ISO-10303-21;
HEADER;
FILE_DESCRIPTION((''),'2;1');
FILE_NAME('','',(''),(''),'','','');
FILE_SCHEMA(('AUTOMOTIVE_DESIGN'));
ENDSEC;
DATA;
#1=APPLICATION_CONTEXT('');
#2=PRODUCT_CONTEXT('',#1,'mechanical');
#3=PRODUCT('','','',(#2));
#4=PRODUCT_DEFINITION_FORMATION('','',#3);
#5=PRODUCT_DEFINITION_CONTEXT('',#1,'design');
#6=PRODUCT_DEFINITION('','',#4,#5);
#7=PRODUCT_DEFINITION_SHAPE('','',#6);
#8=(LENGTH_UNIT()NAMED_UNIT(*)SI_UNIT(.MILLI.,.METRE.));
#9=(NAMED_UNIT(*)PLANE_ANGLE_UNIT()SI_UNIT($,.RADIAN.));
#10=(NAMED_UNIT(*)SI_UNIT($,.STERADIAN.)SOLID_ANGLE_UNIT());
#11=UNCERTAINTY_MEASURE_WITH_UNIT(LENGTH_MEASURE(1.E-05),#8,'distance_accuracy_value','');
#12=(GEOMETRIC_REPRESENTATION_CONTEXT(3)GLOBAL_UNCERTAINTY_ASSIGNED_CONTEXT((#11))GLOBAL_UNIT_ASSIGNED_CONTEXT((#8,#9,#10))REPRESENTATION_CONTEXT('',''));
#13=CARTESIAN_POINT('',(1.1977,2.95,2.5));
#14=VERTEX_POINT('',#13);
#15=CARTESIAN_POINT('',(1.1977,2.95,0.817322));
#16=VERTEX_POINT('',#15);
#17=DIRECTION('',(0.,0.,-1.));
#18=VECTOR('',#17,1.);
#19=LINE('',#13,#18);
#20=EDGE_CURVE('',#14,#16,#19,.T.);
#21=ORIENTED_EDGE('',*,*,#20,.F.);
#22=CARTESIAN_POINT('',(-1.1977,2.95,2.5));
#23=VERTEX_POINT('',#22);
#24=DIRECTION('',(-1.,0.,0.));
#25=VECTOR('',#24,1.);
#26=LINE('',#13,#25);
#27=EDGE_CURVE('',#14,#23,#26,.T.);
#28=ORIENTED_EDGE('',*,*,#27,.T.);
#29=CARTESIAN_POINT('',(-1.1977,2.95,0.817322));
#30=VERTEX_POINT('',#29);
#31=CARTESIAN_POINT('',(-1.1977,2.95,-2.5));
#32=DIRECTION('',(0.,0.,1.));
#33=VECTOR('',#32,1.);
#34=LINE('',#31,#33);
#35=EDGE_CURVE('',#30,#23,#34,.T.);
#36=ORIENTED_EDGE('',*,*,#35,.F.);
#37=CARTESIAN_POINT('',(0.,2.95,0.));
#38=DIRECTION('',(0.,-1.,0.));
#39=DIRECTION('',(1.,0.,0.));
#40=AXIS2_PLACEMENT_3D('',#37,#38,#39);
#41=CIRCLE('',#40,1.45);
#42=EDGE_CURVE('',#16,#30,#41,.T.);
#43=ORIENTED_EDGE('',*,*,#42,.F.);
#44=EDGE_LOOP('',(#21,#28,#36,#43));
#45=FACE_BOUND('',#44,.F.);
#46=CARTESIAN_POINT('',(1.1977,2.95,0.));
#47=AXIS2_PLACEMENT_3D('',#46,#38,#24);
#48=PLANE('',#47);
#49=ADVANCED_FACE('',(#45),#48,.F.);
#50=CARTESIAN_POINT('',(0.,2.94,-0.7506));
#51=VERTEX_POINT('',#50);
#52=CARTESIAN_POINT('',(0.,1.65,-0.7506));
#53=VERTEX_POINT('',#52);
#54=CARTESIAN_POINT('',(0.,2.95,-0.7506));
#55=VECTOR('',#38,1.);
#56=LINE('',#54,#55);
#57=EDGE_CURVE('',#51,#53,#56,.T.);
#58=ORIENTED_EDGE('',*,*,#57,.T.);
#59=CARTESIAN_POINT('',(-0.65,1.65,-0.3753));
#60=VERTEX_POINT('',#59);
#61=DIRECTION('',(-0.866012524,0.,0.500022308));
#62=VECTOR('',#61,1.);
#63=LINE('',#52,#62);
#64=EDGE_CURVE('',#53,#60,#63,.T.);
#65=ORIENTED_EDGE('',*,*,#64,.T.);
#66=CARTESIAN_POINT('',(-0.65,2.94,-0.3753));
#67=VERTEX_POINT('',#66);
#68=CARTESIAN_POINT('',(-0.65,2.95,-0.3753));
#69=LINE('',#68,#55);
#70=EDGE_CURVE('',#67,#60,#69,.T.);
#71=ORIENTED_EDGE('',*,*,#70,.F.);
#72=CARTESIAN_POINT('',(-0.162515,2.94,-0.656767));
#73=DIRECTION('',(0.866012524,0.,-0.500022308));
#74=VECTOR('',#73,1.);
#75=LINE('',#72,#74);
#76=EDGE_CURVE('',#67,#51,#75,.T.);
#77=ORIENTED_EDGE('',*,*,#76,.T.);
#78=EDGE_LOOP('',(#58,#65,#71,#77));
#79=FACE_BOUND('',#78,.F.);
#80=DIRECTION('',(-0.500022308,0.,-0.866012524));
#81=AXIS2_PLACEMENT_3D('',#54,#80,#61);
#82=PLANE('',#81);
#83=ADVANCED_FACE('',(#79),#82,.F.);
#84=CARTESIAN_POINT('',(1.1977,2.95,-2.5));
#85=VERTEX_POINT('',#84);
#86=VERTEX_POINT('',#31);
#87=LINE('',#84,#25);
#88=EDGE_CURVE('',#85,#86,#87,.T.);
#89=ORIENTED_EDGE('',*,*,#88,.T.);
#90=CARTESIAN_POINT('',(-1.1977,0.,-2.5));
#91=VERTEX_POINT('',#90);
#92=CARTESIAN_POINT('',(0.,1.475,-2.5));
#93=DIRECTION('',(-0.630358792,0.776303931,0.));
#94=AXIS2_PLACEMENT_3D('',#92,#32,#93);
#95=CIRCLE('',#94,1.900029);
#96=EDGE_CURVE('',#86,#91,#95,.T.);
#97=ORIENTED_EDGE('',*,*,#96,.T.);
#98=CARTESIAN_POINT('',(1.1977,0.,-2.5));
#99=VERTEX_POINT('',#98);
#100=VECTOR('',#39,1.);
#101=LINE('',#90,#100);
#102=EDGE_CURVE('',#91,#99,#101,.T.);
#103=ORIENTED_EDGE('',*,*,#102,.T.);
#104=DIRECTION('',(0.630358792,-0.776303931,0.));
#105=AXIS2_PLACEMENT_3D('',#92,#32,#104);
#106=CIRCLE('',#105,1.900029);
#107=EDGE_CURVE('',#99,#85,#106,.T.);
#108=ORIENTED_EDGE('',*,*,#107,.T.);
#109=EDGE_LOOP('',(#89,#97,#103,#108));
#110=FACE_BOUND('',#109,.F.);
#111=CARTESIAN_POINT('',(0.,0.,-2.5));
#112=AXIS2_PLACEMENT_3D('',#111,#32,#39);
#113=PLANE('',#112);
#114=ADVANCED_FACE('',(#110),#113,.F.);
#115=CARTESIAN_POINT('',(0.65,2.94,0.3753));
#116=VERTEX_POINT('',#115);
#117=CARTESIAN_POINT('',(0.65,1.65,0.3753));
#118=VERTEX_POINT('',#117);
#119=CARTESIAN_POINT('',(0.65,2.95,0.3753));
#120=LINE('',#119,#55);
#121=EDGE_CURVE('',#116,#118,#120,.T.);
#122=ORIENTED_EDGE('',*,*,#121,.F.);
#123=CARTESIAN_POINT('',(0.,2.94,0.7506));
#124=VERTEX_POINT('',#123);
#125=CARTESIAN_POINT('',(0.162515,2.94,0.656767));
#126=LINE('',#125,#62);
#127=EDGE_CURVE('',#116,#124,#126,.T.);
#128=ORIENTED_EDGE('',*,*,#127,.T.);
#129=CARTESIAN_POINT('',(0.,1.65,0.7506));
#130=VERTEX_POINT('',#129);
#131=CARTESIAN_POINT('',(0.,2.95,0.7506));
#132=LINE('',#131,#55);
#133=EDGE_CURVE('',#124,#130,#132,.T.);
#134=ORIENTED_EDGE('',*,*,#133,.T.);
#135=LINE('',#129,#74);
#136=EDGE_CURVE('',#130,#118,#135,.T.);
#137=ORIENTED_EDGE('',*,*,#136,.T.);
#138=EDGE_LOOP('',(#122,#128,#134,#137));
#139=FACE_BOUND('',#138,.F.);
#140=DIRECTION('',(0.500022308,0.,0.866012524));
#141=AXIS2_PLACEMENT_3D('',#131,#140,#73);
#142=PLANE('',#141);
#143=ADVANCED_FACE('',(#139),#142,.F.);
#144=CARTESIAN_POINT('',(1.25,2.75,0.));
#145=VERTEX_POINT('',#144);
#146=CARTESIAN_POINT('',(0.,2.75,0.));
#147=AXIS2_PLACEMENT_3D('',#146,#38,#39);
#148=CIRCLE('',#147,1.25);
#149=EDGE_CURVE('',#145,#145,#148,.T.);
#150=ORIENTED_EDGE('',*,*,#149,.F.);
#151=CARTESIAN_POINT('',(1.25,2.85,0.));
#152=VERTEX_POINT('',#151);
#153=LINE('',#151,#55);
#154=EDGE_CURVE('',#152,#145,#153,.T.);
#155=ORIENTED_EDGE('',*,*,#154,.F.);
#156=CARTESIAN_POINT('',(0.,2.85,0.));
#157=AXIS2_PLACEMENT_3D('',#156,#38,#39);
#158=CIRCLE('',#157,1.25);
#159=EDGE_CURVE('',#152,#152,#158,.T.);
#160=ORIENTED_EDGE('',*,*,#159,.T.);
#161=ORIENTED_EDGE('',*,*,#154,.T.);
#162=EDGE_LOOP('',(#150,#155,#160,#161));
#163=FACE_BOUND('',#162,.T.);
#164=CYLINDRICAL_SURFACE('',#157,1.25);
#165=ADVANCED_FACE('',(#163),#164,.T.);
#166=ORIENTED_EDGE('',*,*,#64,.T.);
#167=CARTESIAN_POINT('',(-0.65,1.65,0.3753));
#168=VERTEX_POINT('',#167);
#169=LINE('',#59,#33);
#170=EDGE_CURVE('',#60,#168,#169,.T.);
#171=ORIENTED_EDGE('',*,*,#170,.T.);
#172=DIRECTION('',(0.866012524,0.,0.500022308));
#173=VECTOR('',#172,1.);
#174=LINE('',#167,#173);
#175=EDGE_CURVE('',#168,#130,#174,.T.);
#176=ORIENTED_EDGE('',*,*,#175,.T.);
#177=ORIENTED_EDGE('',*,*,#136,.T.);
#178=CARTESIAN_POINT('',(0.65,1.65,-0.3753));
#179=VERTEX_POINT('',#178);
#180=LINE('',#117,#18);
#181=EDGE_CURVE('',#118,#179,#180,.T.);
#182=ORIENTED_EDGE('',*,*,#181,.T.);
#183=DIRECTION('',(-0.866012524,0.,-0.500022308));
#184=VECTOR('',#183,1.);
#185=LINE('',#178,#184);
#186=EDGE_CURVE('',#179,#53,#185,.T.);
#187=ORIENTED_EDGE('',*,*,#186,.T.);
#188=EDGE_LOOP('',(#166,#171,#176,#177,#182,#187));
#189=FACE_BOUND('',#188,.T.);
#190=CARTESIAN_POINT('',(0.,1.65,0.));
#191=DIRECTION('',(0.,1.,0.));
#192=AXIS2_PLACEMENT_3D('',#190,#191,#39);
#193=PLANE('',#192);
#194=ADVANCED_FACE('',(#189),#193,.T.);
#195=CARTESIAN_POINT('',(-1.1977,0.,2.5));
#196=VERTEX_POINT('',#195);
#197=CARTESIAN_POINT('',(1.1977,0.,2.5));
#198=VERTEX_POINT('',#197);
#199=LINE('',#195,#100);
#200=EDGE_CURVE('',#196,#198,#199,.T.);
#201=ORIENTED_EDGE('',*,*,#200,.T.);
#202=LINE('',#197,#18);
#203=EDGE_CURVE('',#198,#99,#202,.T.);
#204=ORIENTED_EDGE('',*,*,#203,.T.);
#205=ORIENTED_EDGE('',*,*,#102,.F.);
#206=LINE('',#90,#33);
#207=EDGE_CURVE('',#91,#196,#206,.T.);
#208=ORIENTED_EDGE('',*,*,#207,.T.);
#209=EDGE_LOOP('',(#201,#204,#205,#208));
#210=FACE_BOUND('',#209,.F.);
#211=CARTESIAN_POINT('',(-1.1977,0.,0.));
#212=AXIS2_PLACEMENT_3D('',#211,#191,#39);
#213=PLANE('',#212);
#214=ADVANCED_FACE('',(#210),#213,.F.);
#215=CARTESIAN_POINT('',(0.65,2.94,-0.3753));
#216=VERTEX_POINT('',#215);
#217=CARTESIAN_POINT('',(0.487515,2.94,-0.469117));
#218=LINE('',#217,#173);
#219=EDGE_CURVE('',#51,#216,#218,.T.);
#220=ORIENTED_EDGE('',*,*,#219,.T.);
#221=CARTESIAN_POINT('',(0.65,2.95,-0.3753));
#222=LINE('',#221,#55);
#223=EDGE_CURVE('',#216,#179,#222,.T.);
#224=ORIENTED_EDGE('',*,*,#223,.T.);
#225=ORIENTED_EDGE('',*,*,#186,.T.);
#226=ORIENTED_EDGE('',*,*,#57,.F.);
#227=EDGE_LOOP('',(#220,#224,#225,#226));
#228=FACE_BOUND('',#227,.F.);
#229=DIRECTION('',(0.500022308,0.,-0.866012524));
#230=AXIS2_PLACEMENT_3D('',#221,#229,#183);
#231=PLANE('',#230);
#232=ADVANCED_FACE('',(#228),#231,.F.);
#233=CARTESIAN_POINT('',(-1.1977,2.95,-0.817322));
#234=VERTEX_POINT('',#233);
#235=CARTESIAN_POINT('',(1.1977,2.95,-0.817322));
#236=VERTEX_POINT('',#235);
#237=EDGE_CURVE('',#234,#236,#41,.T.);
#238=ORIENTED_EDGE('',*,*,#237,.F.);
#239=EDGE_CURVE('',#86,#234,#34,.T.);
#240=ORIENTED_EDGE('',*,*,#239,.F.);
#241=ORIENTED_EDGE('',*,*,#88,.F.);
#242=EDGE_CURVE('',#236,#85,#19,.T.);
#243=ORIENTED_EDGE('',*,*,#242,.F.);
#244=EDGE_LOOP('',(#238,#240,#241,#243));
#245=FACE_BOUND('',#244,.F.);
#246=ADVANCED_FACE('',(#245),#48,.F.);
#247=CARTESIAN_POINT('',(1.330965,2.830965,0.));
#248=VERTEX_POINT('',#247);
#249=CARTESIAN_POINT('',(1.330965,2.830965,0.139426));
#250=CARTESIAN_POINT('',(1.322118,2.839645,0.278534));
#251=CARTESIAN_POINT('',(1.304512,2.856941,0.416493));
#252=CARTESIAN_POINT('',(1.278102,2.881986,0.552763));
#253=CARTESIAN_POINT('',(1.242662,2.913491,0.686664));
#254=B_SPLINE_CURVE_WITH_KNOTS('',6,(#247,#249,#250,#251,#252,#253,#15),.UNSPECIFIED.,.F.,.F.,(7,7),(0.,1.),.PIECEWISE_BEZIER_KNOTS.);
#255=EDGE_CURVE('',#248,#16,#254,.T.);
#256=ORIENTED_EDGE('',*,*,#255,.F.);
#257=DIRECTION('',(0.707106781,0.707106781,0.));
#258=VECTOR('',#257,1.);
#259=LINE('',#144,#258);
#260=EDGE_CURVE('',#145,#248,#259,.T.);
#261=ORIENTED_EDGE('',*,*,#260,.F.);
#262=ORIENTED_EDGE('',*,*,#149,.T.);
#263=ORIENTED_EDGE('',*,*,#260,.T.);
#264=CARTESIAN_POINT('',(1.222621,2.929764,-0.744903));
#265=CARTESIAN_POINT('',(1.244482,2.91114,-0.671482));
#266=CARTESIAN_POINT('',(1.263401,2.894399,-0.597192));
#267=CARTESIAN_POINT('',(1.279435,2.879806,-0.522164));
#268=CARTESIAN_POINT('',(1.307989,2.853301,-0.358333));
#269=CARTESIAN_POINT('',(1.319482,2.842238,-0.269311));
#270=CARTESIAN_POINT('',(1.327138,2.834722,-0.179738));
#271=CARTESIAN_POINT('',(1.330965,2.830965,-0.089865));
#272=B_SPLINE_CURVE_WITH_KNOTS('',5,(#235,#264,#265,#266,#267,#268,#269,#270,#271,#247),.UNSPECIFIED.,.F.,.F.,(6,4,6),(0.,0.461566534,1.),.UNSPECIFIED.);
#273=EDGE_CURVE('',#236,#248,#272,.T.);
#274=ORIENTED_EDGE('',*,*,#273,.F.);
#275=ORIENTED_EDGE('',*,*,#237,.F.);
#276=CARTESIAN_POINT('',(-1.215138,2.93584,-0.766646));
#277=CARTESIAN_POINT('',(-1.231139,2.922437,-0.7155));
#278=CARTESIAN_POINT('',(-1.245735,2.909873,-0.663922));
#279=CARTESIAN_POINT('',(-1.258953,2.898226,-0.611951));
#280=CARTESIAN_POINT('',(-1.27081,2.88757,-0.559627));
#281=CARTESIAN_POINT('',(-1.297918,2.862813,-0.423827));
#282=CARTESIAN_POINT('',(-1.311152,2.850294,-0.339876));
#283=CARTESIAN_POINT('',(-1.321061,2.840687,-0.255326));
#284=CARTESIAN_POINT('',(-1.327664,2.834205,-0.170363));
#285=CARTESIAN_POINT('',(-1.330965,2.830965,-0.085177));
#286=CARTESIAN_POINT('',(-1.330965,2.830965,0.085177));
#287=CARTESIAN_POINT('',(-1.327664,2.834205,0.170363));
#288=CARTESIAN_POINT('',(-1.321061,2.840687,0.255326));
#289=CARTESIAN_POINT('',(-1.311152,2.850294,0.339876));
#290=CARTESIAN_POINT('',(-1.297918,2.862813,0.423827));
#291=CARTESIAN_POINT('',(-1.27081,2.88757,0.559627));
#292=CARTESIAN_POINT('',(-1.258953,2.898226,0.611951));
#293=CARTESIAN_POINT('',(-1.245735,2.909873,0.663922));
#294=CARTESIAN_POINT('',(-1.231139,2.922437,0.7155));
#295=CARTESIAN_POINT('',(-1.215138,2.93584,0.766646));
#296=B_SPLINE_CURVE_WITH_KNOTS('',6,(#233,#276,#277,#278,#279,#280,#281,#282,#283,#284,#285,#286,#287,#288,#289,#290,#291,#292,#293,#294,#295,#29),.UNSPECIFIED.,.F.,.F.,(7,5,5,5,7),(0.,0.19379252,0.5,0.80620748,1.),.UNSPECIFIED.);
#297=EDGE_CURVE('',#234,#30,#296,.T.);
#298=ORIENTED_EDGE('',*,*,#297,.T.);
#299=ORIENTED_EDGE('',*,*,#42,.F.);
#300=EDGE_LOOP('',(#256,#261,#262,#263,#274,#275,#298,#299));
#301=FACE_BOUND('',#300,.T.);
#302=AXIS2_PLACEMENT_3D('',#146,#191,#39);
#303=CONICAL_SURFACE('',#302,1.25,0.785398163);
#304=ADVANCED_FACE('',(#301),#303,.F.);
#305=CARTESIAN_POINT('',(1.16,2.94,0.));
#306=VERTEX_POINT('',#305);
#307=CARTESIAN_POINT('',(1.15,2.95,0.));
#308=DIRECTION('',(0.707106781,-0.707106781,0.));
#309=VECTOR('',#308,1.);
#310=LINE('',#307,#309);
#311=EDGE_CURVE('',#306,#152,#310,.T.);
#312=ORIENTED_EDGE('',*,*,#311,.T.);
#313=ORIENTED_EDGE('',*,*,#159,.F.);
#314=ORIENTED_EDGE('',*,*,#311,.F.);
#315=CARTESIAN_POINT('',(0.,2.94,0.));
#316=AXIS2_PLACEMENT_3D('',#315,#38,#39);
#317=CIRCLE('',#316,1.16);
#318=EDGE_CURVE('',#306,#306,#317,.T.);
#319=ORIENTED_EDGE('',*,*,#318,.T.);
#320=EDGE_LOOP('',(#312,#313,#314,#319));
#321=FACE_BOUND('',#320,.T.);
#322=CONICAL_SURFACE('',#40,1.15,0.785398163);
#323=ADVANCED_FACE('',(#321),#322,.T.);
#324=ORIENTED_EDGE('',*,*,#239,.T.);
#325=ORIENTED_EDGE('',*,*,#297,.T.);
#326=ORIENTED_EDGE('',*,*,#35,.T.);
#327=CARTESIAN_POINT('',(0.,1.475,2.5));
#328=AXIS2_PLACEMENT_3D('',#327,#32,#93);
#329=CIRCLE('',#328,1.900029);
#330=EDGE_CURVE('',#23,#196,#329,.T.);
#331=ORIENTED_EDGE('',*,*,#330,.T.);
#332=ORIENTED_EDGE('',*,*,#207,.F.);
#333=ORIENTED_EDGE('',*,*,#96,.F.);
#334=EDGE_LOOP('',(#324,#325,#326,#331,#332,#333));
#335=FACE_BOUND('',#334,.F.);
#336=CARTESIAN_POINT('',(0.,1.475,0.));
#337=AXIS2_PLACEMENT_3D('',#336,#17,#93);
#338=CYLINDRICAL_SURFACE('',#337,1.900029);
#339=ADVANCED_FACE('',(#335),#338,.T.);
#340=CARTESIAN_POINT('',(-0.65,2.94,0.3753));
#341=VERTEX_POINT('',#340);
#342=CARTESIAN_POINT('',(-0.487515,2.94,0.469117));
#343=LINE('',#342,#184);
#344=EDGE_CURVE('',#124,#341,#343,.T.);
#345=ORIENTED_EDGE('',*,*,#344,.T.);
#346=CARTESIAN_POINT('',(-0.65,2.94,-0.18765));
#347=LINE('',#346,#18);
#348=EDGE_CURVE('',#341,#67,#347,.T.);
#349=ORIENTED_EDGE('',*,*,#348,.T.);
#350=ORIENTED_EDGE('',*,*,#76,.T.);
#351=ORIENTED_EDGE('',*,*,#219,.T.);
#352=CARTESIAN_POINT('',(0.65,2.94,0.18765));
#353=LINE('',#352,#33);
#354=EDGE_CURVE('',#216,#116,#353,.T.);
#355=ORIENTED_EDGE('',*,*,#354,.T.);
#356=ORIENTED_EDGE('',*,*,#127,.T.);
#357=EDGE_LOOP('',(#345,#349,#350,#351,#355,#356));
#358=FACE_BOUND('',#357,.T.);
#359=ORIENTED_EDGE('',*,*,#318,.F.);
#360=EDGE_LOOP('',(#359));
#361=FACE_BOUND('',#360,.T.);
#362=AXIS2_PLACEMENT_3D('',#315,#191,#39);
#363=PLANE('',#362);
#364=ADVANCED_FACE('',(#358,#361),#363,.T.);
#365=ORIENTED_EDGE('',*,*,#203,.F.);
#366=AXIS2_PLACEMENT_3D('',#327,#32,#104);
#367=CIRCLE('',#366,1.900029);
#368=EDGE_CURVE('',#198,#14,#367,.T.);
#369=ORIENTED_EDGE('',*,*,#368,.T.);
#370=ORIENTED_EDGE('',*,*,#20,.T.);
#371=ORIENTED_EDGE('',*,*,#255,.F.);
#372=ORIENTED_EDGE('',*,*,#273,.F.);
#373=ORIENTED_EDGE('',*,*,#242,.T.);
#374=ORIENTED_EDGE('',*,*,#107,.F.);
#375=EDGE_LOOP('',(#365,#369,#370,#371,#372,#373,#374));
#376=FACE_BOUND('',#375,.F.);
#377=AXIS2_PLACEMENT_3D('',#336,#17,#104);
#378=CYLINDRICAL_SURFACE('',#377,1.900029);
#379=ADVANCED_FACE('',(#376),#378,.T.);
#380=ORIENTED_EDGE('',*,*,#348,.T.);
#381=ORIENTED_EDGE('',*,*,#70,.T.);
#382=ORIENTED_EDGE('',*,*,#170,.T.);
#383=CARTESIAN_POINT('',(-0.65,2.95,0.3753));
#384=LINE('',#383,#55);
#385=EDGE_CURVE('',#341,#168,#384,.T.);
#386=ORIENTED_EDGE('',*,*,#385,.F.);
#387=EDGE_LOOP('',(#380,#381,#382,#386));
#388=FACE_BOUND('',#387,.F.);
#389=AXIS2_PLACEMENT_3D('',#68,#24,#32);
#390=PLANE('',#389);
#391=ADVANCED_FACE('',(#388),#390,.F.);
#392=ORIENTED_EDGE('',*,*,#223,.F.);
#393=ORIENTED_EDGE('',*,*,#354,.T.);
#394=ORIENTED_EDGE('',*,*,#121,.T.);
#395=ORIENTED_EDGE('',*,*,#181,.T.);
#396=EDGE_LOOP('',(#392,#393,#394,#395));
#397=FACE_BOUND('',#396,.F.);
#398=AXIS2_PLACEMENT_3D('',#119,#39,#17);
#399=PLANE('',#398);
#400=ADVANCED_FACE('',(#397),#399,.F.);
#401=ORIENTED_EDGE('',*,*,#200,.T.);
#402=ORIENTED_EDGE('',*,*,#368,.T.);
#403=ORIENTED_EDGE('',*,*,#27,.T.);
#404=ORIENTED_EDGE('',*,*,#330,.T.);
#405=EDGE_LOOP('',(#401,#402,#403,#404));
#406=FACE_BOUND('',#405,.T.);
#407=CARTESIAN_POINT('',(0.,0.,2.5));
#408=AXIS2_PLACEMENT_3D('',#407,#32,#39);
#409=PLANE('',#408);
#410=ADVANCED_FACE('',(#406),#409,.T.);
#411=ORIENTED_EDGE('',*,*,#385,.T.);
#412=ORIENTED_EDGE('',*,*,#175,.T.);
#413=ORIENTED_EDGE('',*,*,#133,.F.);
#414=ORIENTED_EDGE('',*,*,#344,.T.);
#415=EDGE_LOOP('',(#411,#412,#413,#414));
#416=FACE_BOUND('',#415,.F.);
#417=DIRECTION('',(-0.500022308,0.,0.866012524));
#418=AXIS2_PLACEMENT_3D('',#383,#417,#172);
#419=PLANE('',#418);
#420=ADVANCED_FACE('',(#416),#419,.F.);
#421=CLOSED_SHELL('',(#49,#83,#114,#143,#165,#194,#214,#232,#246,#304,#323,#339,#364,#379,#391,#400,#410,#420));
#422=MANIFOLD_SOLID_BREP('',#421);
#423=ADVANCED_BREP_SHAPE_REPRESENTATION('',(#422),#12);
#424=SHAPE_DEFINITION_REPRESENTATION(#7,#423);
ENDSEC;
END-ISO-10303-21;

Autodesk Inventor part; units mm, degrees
sketch "Sketch_1" plane through (0, 0, 0) normal (0, 0, 1) x (1, 0, 0)
  arc A0 (-1.1977, 2.95) -> (-1.1977, 0) centre (0, 1.475) ccw
  line L0 (-1.1977, 0) -> (1.1977, 0)
  arc A1 (1.1977, 0) -> (1.1977, 2.95) centre (0, 1.475) ccw
  line L1 (1.1977, 2.95) -> (-1.1977, 2.95)
extrude "Extrusion1" add sketch "Sketch_1" along normal mid plane 5
sketch "Sketch_2" plane through (0, 0, 0) normal (0, 0, 1) x (1, 0, 0)
  line L0 (0, 0) -> (0, 2.95)
  line L1 (1.15, 2.95) -> (1.25, 2.85)
  line L2 (1.25, 2.85) -> (1.25, 2.75)
  line L3 (1.25, 2.75) -> (1.45, 2.95)
  line L4 (1.45, 2.95) -> (1.15, 2.95)
revolve "Revolution1" cut sketch "Sketch_2" angle 360 about axis through (0, 0, 0) along (0, -1, 0)
sketch "Sketch_3" plane through (0, 2.95, 0) normal (0, 1, 0) x (1, 0, 0)
  line L0 (-0.65, -0.3753) -> (0, -0.7506)
  line L1 (0, -0.7506) -> (0.65, -0.3753)
  line L2 (0.65, -0.3753) -> (0.65, 0.3753)
  line L3 (0.65, 0.3753) -> (0, 0.7506)
  line L4 (0, 0.7506) -> (-0.65, 0.3753)
  line L5 (-0.65, 0.3753) -> (-0.65, -0.3753)
extrude "Extrusion2" cut sketch "Sketch_3" against normal blind 1.3
sketch "Sketch_5" plane through (0, 2.95, 0) normal (0, 1, 0) x (1, 0, 0)
  circle A0 centre (0, 0) radius 1.3
extrude "Extrusion3" cut sketch "Sketch_5" against normal blind 0.01
ref_plane "an_XY" through (0, 1.475, 2.5) normal (0, 0, 1) x (1, 0, 0)
ref_plane "an_YZ" through (0, 1.475, 2.5) normal (1, 0, 0) x (0, 1, 0)
ref_plane "an_ZX" through (0, 1.475, 2.5) normal (0, 1, 0) x (0, 0, 1)
ref_plane "ans_mms_p_XY" through (0, 1.475, 0) normal (0, 0, 1) x (1, 0, 0)
ref_plane "ans_mms_p_YZ" through (0, 1.475, 0) normal (1, 0, 0) x (0, 1, 0)
ref_plane "ans_mms_p_ZX" through (0, 1.475, 0) normal (0, 1, 0) x (0, 0, 1)
properties part number "SCHUNK-9949504 limit stop for MMS-P"
